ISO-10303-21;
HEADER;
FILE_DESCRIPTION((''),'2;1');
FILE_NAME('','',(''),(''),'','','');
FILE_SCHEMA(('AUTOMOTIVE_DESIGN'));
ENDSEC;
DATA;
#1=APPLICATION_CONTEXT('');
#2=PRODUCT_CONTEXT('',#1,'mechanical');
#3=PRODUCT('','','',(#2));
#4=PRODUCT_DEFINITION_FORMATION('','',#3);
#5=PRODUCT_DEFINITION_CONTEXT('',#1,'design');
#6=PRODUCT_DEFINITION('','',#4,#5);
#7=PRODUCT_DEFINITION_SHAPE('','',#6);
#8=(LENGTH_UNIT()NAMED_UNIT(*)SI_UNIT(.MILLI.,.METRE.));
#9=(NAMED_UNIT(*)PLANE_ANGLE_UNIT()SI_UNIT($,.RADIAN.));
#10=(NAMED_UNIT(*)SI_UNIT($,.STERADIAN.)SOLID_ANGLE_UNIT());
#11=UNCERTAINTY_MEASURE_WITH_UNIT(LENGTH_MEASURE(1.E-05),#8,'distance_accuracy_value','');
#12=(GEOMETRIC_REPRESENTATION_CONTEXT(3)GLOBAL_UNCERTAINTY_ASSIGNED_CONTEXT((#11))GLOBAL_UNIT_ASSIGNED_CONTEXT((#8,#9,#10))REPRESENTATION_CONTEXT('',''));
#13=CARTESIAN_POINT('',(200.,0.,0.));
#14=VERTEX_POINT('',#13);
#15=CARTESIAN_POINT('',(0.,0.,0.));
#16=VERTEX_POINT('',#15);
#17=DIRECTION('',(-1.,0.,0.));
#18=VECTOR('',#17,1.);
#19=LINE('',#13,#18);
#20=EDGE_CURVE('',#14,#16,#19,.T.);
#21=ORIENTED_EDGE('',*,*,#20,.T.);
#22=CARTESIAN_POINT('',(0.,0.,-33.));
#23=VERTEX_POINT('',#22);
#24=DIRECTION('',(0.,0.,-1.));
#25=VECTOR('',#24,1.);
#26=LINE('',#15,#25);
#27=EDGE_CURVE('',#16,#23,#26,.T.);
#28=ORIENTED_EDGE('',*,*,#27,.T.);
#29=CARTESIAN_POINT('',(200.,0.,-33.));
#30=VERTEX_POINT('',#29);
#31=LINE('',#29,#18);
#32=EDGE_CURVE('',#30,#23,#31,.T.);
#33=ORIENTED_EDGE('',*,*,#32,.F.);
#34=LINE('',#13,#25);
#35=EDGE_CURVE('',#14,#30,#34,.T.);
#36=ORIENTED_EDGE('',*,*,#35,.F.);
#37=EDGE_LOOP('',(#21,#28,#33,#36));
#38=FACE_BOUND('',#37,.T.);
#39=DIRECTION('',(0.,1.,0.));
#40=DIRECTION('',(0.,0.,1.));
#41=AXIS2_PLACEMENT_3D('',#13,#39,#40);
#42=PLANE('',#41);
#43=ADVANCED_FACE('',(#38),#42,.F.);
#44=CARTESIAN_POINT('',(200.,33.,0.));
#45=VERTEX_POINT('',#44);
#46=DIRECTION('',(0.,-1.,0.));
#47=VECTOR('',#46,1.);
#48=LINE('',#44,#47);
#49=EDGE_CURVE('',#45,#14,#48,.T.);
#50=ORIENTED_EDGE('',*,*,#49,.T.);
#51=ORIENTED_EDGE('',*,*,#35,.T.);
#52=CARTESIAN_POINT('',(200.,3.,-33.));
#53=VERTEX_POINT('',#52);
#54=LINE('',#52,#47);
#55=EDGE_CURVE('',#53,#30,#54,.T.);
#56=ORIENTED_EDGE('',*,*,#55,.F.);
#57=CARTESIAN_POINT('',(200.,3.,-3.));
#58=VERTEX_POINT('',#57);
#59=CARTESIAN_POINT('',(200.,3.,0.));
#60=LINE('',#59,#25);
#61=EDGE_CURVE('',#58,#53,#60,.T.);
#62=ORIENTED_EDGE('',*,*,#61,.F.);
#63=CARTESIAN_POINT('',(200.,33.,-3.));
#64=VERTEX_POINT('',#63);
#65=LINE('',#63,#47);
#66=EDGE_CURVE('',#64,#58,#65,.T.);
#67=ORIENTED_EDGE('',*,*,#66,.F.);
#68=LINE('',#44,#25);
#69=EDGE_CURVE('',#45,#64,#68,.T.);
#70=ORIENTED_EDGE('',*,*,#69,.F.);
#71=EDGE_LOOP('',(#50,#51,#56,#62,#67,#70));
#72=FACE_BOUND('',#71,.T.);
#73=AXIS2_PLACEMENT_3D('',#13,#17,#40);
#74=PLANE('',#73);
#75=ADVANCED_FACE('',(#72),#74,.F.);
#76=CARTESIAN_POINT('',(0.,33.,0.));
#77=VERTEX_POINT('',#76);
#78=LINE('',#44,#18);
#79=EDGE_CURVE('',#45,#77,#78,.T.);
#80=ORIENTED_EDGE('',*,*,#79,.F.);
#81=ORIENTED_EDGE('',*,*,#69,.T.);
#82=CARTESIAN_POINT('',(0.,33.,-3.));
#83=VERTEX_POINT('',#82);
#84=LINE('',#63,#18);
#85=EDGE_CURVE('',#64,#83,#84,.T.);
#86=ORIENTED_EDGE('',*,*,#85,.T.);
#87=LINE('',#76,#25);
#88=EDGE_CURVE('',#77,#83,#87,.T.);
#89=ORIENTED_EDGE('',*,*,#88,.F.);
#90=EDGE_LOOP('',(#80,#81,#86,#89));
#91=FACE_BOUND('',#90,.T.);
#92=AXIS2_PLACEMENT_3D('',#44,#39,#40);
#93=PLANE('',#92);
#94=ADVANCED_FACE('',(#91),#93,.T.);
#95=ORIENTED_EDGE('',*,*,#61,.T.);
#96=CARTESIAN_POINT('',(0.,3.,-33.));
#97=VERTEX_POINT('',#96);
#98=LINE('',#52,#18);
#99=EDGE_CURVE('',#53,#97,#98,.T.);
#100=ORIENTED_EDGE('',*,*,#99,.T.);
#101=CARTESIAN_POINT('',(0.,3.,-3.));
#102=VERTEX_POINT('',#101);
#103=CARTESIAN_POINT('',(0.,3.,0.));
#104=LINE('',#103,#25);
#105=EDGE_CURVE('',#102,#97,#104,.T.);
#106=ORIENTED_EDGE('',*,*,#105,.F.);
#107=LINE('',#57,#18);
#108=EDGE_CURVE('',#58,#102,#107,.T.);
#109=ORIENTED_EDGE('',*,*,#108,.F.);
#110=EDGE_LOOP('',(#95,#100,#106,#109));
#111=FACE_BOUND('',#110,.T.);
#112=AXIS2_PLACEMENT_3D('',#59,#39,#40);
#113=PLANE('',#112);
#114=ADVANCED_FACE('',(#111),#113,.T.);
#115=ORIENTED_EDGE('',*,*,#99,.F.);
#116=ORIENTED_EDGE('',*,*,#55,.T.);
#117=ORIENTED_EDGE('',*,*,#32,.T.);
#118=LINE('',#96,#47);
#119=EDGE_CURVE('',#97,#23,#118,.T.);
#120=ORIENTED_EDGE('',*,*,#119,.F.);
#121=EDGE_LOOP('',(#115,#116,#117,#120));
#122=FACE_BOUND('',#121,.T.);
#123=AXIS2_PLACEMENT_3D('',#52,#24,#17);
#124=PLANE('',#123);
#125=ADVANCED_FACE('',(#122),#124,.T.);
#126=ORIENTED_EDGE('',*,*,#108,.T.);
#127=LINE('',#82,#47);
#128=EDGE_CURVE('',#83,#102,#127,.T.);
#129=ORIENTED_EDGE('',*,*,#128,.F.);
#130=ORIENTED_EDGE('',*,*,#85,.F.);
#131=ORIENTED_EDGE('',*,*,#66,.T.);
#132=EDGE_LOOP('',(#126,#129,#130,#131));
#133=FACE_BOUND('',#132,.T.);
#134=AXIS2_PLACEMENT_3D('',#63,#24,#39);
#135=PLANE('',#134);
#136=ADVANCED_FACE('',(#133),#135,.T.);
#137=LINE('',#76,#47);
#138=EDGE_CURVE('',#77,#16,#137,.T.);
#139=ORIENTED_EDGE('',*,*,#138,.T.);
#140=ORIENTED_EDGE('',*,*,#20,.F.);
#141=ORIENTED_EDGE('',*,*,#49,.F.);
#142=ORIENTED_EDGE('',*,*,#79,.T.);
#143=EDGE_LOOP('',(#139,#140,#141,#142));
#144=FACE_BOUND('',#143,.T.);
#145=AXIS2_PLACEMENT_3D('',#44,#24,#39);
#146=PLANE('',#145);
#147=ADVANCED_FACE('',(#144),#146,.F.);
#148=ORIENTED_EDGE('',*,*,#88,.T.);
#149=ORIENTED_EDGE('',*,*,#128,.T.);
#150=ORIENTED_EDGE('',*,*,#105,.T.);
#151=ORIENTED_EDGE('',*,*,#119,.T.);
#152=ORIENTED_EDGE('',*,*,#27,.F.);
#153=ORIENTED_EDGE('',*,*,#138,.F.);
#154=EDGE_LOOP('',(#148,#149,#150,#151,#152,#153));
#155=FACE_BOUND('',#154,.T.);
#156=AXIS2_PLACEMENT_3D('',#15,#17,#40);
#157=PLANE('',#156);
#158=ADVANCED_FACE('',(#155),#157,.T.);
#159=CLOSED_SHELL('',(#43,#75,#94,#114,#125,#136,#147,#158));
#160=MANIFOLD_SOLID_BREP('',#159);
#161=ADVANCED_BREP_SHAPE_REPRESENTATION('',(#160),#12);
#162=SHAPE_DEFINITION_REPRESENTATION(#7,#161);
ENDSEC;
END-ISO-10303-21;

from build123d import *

# Parameters (mm, degrees)
EXTRUDE_1_DEPTH = 200


with BuildPart() as part:
    # Эскиз1 → Вытянуть-Тонкостенный1 (new body)
    with BuildSketch(Plane(origin=(0, 0, 0), x_dir=(0, 0, -1), z_dir=(1, 0, 0))):
        Polygon((0, 33), (0, 0), (33, 0), (33, 3), (3, 3), (3, 33), align=None)
    extrude(amount=EXTRUDE_1_DEPTH)


solid = part.part
